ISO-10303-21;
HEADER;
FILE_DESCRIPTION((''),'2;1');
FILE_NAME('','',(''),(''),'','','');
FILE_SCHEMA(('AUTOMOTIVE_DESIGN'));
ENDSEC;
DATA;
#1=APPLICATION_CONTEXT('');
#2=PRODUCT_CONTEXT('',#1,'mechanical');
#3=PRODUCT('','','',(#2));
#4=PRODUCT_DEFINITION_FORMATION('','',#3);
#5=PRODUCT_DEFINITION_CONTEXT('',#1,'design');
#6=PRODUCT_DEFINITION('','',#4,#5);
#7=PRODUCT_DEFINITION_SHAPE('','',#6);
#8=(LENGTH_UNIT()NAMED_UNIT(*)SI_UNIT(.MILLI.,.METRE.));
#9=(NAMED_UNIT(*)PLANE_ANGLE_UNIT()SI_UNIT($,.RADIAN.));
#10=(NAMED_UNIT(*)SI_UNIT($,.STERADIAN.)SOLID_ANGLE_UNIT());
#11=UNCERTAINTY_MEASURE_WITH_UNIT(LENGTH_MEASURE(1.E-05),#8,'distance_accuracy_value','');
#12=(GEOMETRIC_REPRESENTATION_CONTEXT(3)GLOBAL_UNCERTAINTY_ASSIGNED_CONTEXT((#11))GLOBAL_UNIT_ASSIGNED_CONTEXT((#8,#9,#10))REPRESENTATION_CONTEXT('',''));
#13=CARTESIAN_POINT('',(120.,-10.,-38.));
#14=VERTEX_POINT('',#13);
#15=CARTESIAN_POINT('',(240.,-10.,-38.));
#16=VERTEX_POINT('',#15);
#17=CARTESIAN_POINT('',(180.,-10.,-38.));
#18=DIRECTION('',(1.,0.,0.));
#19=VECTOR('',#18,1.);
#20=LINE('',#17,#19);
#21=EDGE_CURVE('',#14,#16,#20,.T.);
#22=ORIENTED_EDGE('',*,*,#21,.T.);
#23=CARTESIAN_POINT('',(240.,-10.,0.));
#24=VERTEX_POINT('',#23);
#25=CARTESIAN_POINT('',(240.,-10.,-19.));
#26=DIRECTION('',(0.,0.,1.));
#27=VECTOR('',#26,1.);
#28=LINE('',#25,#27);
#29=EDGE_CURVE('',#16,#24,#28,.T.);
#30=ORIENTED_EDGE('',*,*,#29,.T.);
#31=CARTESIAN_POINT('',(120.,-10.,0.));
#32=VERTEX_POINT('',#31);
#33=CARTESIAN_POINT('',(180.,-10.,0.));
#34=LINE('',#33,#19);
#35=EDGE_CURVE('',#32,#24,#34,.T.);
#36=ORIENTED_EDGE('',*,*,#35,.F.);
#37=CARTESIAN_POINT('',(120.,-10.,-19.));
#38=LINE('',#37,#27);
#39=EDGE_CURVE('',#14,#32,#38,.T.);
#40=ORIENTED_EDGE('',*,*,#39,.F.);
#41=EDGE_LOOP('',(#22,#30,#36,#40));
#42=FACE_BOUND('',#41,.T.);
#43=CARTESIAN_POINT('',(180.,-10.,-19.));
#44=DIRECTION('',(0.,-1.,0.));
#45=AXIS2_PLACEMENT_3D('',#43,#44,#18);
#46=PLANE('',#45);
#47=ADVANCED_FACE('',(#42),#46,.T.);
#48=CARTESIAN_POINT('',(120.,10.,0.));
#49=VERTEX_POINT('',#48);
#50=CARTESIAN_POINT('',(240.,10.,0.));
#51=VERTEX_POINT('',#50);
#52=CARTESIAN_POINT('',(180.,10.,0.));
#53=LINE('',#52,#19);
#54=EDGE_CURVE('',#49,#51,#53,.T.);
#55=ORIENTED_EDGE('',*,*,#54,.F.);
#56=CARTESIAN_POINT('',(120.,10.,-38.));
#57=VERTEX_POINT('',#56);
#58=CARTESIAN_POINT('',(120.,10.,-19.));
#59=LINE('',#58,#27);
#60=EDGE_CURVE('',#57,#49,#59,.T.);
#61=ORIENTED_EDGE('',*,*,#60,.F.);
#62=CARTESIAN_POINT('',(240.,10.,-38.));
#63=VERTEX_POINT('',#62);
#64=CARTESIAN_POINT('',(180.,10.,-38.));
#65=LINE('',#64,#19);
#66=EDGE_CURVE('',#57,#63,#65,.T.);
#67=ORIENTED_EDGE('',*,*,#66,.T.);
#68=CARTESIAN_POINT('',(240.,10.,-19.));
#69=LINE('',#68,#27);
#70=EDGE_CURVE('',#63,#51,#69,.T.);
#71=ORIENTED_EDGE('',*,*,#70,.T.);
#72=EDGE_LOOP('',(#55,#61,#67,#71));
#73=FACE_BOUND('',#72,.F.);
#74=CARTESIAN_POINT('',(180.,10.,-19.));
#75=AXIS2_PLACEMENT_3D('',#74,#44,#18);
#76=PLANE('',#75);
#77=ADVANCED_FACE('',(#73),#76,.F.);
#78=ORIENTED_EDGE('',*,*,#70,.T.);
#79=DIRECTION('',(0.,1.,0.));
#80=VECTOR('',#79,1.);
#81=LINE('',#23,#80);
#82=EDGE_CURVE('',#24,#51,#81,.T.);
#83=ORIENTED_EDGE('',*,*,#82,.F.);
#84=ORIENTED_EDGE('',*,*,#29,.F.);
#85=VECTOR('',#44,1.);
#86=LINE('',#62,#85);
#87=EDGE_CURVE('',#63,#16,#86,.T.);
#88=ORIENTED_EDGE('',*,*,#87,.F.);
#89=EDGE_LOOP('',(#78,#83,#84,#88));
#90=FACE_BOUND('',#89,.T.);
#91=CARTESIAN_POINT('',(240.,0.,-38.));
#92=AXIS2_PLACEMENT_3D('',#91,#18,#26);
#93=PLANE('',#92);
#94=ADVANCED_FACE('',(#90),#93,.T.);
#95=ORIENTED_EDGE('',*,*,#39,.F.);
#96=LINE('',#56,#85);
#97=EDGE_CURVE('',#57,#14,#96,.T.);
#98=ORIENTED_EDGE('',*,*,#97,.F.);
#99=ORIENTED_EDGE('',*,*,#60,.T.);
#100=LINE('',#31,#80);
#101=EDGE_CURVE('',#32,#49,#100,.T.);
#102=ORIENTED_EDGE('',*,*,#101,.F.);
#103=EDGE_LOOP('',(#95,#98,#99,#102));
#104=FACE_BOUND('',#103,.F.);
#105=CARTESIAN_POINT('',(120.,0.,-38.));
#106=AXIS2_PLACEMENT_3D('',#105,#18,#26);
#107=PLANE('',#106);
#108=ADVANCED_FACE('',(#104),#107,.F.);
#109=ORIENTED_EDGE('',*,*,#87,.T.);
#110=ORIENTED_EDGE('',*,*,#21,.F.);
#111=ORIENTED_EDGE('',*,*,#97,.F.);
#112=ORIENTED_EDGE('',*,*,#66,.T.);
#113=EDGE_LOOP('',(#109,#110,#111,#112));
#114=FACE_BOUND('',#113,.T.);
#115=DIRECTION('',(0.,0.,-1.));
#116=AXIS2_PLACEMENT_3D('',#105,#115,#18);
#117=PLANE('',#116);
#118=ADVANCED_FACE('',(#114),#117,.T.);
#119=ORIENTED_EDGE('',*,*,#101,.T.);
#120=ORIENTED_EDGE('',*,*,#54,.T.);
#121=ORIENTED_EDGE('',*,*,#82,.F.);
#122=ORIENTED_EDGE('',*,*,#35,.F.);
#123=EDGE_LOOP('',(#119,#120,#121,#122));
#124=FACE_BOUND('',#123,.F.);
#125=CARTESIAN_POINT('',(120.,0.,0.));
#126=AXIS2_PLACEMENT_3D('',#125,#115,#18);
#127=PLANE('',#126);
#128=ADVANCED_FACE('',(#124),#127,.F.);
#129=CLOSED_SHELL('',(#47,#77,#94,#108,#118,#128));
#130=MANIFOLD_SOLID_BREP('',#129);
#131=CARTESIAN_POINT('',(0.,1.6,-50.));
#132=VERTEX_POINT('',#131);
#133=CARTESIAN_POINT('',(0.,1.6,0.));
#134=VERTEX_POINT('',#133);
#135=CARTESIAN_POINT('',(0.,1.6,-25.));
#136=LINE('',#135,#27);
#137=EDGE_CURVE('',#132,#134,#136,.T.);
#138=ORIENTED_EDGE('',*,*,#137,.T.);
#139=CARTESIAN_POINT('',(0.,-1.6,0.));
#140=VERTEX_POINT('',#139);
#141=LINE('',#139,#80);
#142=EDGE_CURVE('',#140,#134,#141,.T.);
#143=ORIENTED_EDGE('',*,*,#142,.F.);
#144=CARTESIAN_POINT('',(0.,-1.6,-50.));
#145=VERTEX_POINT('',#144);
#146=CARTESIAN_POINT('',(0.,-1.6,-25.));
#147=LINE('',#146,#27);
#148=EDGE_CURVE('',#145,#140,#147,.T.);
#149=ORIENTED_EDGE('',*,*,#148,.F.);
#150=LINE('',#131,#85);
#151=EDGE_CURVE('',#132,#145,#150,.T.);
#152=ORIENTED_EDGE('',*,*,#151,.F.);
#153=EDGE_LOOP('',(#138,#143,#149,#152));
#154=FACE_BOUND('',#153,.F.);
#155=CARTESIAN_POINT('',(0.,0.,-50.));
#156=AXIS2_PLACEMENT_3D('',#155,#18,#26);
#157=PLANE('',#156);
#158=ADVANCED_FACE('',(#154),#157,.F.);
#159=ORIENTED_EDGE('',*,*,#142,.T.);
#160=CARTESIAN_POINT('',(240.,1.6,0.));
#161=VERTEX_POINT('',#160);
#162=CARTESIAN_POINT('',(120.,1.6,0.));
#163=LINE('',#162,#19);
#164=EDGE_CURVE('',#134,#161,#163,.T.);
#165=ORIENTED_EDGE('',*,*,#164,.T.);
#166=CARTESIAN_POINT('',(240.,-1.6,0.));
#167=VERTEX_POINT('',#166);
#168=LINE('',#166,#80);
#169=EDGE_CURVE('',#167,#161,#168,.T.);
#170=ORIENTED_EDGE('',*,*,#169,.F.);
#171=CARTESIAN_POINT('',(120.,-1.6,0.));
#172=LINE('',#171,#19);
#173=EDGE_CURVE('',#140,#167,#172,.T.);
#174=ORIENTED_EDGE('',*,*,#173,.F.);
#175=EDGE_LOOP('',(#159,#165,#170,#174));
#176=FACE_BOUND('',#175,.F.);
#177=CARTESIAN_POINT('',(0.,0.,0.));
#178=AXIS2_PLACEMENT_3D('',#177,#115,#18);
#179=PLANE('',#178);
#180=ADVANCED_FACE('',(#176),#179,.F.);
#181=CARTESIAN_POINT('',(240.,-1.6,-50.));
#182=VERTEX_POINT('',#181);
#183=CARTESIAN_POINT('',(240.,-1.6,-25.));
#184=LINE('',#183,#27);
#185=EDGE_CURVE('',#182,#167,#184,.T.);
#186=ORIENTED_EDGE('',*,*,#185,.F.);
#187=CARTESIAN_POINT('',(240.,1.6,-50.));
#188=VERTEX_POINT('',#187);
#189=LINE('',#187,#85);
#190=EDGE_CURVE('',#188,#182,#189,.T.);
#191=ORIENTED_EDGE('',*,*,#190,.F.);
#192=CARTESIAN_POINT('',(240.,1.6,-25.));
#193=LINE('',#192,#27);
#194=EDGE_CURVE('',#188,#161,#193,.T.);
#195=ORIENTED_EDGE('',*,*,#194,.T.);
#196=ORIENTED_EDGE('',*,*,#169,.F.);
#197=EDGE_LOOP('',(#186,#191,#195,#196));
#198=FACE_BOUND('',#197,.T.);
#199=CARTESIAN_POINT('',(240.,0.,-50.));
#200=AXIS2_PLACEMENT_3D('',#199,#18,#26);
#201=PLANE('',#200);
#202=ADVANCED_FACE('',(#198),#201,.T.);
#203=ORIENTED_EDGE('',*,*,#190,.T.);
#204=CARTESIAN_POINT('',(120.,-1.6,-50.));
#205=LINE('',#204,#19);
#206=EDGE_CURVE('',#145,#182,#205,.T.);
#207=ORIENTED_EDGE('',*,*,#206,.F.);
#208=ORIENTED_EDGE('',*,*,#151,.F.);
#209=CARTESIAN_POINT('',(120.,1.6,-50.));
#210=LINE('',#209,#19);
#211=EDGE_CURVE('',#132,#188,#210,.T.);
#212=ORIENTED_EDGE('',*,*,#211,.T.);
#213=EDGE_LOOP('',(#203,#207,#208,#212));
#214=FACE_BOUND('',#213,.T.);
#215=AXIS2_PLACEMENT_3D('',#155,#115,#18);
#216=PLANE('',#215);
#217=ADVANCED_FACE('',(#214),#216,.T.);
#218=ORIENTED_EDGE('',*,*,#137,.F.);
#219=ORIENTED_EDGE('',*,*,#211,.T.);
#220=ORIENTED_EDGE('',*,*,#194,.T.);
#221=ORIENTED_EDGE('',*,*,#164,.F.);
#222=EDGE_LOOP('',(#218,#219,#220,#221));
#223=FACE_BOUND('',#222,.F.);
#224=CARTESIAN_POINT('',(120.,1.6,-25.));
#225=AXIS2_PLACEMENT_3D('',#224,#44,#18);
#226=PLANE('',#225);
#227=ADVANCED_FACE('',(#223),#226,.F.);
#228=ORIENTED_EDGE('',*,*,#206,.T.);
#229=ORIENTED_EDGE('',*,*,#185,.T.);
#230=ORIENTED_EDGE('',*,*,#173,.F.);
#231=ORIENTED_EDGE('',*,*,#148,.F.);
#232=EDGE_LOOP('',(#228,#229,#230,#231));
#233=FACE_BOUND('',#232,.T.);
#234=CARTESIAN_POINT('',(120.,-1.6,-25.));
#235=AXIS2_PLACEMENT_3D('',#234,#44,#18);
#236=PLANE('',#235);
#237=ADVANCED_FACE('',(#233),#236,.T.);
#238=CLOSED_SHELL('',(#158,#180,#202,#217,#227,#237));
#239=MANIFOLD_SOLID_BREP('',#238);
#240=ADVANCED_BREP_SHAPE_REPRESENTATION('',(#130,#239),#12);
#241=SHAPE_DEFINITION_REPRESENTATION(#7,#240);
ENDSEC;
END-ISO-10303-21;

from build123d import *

# Parameters (mm, degrees)
F0_W     = 240
F0_H     = 50
F2_DEPTH = 1.6
F1_W     = 120
F1_H     = 38
F3_DEPTH = 10


with BuildPart() as f2:
    # F0 (on Front) → F2 (new body, symmetric)
    with BuildSketch(Plane.XZ):
        with Locations((120, -25)):
            Rectangle(F0_W, F0_H)
    extrude(amount=F2_DEPTH, both=True)


with BuildPart() as f3:
    # F1 (on face) → F3 (new body, symmetric)
    with BuildSketch(Plane.XZ):
        with Locations((180, -19)):
            Rectangle(F1_W, F1_H)
    extrude(amount=F3_DEPTH, both=True)


solid = Compound([f2.part, f3.part])
